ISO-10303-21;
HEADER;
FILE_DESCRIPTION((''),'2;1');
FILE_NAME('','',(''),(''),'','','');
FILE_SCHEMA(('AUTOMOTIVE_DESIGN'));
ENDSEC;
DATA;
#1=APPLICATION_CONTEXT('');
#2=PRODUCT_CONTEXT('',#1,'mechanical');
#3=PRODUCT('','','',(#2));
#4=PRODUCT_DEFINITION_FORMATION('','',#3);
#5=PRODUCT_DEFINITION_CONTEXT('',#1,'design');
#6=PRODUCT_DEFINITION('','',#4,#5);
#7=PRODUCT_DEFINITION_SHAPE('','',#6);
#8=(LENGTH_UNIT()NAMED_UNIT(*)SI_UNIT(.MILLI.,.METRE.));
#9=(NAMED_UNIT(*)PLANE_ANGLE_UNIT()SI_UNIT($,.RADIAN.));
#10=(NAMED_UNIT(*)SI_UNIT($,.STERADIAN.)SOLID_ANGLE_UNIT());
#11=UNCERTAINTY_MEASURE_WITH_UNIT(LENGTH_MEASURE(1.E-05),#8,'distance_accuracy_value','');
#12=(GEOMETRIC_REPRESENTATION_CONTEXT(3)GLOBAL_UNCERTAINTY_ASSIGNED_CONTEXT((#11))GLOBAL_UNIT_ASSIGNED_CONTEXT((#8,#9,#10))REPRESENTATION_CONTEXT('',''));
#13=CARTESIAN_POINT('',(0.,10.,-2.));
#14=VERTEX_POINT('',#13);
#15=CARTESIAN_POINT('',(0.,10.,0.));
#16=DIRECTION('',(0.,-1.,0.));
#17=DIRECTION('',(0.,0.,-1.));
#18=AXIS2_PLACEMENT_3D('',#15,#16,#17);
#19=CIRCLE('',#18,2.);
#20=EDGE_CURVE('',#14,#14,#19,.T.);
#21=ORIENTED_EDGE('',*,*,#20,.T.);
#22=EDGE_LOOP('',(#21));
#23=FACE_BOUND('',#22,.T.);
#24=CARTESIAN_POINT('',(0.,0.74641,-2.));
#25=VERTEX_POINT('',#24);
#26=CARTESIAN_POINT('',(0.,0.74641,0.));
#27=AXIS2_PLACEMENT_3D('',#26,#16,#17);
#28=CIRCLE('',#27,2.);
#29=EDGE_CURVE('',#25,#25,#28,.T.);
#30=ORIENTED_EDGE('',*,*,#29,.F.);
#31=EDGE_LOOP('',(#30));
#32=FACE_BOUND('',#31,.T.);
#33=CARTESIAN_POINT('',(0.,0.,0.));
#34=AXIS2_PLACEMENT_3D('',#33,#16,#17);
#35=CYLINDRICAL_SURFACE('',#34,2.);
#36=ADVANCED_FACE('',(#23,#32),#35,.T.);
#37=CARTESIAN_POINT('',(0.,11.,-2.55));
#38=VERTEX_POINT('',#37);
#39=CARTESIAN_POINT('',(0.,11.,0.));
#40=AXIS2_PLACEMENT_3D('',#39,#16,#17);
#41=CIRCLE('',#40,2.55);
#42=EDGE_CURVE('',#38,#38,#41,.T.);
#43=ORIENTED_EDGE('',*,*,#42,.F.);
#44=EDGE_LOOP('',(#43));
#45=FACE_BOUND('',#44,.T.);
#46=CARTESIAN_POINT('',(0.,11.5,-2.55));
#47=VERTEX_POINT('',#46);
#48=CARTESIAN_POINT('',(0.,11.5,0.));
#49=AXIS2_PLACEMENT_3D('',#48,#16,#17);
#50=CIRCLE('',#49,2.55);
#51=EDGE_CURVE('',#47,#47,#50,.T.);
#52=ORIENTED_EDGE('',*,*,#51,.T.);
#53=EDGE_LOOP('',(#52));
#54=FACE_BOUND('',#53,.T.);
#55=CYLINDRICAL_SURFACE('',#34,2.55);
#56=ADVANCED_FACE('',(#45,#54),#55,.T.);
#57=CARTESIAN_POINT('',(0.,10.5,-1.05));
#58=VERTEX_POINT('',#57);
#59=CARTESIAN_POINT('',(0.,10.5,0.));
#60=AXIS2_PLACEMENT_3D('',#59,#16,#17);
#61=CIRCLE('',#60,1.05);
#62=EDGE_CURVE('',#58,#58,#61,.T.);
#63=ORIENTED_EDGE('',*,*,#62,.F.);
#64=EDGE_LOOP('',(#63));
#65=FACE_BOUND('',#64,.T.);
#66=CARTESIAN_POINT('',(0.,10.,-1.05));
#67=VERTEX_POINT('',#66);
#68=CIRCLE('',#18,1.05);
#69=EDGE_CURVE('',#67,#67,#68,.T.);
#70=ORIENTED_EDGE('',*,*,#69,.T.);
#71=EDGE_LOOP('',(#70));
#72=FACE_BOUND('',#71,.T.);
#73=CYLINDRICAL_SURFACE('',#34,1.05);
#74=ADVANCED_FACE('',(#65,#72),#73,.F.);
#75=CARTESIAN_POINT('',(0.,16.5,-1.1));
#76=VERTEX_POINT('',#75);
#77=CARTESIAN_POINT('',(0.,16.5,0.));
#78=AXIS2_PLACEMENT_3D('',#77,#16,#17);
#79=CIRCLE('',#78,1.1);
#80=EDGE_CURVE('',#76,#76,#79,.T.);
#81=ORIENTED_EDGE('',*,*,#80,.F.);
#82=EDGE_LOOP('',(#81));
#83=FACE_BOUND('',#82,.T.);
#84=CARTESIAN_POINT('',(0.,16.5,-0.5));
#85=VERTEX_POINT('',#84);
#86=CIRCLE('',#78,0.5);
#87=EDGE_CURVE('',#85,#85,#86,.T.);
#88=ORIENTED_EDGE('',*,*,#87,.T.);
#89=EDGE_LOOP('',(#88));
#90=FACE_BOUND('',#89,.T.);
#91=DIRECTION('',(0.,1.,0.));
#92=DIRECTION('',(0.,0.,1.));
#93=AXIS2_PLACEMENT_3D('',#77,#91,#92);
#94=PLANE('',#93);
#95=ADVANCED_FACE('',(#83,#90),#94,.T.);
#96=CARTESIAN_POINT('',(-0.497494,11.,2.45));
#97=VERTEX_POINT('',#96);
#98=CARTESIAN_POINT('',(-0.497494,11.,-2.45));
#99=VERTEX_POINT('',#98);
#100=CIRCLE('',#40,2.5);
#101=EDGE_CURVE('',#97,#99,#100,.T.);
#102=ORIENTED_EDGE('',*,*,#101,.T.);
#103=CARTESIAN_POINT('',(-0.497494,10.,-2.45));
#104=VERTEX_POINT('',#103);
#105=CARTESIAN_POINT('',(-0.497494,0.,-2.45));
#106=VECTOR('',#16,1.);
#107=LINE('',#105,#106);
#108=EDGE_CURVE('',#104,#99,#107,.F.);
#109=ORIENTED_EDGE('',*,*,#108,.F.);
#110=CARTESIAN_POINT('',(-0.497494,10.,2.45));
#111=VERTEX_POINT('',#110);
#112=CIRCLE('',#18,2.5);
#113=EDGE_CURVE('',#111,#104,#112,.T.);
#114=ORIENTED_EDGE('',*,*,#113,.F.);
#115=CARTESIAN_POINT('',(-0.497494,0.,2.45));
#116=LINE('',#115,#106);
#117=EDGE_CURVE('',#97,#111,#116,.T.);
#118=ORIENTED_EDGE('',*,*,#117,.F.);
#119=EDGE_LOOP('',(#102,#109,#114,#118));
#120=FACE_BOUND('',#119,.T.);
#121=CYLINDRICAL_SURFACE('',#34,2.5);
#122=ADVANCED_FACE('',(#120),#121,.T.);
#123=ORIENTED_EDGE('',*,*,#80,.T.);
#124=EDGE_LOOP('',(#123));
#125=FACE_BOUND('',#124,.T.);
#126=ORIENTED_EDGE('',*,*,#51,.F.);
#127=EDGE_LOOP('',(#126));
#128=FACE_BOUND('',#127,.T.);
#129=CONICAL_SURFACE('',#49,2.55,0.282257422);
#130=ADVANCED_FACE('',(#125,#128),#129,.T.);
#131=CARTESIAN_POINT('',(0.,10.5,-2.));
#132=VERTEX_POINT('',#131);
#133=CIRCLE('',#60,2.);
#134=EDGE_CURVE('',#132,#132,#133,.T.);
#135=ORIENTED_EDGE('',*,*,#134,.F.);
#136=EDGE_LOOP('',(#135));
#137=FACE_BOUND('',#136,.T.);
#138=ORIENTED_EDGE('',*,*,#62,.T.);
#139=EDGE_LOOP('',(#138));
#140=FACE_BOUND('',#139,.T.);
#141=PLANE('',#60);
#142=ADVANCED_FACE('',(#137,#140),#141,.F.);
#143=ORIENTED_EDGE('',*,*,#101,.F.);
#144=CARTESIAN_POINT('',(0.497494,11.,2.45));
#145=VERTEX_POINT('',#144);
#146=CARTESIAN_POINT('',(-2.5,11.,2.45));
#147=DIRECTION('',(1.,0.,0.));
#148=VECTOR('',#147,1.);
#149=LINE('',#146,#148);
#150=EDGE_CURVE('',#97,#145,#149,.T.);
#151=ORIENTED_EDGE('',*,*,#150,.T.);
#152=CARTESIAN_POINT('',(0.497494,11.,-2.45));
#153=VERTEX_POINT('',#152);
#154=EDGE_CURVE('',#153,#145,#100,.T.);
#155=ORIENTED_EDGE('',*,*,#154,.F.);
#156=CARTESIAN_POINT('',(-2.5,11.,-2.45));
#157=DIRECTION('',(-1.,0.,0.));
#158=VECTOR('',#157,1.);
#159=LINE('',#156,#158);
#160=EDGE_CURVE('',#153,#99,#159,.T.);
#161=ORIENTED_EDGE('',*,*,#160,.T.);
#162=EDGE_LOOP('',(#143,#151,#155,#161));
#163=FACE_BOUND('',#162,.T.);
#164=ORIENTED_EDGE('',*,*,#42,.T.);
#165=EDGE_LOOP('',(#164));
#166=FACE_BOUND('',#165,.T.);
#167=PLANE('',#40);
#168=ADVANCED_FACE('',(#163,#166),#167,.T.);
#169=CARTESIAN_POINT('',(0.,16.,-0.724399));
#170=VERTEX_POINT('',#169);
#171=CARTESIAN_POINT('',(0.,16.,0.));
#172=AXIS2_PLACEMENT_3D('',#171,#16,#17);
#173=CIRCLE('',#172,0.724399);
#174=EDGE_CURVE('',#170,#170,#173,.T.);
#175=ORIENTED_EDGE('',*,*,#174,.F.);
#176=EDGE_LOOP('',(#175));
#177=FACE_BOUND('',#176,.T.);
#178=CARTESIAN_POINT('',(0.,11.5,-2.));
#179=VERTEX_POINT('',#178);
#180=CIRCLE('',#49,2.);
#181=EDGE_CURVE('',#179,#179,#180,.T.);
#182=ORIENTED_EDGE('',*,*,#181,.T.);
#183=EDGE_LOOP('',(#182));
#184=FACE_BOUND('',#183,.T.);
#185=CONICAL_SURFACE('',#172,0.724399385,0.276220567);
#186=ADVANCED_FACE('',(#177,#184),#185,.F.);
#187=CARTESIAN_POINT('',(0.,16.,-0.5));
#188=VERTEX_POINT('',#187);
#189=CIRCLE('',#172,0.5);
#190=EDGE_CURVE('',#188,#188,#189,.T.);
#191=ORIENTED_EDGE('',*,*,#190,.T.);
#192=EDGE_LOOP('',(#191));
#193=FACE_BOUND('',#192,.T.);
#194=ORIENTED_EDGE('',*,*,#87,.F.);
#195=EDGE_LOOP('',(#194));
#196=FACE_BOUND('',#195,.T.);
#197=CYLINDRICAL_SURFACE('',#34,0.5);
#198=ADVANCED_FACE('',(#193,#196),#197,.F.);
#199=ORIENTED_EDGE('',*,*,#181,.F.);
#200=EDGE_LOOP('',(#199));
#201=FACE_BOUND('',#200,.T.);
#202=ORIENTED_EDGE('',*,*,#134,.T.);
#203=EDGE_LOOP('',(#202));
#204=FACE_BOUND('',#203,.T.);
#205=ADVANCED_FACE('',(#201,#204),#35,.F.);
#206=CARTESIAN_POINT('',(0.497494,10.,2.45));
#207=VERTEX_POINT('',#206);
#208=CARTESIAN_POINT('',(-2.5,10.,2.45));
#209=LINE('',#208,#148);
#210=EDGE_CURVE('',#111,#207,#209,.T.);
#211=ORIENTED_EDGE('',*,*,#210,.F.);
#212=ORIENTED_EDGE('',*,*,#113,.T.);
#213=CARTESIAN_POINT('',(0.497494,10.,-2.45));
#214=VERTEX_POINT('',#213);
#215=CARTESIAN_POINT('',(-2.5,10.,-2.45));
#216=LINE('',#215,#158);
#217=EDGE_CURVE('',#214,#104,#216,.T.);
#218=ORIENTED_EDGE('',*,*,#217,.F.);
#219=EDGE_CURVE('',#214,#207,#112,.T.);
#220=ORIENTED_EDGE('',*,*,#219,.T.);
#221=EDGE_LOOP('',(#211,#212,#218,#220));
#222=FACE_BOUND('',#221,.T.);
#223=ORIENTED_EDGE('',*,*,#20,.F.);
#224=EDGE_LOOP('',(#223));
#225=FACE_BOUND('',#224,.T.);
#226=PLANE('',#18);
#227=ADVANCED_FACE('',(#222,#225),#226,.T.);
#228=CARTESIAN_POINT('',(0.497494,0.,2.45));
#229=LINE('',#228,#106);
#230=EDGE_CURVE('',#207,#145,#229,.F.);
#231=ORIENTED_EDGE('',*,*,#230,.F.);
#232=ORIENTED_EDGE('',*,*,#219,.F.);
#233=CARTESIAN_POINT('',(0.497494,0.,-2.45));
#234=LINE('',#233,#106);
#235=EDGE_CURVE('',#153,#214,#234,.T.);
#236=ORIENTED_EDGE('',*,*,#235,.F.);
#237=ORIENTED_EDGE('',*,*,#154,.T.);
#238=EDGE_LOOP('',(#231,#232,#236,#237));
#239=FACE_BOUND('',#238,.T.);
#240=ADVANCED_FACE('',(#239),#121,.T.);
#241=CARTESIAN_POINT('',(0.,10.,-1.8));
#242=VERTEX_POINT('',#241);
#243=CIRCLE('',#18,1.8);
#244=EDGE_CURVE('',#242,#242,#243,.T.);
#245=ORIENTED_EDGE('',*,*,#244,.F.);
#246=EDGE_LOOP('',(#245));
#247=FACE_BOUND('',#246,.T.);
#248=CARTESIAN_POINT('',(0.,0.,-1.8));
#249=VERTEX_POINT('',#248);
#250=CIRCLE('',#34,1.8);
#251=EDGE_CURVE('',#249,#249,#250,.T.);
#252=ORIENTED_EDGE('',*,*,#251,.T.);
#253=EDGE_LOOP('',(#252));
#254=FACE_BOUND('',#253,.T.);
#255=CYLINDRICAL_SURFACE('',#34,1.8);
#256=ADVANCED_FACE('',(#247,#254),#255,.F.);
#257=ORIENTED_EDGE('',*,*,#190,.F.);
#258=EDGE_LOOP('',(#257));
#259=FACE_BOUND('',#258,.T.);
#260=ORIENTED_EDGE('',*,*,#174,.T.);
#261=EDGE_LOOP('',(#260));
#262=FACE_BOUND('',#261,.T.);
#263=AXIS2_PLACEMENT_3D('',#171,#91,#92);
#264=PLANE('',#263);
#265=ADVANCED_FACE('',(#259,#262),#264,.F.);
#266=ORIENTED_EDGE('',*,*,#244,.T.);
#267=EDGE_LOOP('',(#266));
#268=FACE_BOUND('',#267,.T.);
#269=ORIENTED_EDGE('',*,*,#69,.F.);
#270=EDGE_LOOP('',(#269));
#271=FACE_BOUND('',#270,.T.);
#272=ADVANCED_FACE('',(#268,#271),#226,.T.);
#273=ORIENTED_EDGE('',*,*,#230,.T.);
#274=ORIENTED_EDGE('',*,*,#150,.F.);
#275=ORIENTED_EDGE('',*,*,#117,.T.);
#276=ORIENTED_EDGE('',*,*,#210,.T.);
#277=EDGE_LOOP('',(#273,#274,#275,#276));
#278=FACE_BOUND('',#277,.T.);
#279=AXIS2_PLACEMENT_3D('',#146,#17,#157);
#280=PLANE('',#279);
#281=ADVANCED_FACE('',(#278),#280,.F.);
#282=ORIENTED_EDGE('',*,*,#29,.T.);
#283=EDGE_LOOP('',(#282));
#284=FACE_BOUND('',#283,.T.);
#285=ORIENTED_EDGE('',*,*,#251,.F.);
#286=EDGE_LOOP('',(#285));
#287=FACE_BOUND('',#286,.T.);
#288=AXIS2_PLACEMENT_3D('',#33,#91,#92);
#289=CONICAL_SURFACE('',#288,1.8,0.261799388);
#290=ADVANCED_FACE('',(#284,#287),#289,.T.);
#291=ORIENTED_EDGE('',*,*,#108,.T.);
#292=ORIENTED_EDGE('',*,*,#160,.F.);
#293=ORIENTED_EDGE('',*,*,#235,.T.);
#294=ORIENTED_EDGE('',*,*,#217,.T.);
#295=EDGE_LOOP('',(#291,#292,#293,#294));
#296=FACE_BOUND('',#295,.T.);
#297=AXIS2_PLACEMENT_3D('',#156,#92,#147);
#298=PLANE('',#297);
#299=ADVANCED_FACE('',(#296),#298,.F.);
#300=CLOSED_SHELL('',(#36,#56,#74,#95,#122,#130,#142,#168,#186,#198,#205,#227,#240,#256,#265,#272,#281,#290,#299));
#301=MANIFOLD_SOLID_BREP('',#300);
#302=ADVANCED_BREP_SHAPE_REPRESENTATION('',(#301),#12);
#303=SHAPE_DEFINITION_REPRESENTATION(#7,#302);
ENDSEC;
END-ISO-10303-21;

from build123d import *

# Parameters (mm, degrees)
CROQUIS2_W            = 5
CROQUIS2_H            = 0.1
CORTAR_EXTRUIR1_DEPTH = 1


with BuildPart() as part:
    # Croquis1 → Revolución1 (revolve)
    with BuildSketch(Plane.XY, mode=Mode.PRIVATE) as revoluci_n1_sk:
        Polygon((1.05, 10), (1.8, 10), (1.8, 0), (2, 0.746410162), (2, 10), (2.5, 10), (2.5, 11), (2.55, 11), (2.55, 11.5), (1.1, 16.5), (0.5, 16.5), (0.5, 16), (0.724399385, 16), (2, 11.5), (2, 10.5), (1.5, 10.5), (1.05, 10.5), align=None)
    revolve(revoluci_n1_sk.sketch.rotate(Axis((0, 0, 0), (0, 1, 0)), 90), axis=Axis((0, 0, 0), (0, 1, 0)))

    # Croquis2 → Cortar-Extruir1 (cut)
    with BuildSketch(Plane.XZ.offset(-10)):
        with Locations((0, 2.5)):
            Rectangle(CROQUIS2_W, CROQUIS2_H)
        with Locations((0, -2.5)):
            Rectangle(CROQUIS2_W, CROQUIS2_H)
    extrude(amount=-CORTAR_EXTRUIR1_DEPTH, mode=Mode.SUBTRACT)


solid = part.part
